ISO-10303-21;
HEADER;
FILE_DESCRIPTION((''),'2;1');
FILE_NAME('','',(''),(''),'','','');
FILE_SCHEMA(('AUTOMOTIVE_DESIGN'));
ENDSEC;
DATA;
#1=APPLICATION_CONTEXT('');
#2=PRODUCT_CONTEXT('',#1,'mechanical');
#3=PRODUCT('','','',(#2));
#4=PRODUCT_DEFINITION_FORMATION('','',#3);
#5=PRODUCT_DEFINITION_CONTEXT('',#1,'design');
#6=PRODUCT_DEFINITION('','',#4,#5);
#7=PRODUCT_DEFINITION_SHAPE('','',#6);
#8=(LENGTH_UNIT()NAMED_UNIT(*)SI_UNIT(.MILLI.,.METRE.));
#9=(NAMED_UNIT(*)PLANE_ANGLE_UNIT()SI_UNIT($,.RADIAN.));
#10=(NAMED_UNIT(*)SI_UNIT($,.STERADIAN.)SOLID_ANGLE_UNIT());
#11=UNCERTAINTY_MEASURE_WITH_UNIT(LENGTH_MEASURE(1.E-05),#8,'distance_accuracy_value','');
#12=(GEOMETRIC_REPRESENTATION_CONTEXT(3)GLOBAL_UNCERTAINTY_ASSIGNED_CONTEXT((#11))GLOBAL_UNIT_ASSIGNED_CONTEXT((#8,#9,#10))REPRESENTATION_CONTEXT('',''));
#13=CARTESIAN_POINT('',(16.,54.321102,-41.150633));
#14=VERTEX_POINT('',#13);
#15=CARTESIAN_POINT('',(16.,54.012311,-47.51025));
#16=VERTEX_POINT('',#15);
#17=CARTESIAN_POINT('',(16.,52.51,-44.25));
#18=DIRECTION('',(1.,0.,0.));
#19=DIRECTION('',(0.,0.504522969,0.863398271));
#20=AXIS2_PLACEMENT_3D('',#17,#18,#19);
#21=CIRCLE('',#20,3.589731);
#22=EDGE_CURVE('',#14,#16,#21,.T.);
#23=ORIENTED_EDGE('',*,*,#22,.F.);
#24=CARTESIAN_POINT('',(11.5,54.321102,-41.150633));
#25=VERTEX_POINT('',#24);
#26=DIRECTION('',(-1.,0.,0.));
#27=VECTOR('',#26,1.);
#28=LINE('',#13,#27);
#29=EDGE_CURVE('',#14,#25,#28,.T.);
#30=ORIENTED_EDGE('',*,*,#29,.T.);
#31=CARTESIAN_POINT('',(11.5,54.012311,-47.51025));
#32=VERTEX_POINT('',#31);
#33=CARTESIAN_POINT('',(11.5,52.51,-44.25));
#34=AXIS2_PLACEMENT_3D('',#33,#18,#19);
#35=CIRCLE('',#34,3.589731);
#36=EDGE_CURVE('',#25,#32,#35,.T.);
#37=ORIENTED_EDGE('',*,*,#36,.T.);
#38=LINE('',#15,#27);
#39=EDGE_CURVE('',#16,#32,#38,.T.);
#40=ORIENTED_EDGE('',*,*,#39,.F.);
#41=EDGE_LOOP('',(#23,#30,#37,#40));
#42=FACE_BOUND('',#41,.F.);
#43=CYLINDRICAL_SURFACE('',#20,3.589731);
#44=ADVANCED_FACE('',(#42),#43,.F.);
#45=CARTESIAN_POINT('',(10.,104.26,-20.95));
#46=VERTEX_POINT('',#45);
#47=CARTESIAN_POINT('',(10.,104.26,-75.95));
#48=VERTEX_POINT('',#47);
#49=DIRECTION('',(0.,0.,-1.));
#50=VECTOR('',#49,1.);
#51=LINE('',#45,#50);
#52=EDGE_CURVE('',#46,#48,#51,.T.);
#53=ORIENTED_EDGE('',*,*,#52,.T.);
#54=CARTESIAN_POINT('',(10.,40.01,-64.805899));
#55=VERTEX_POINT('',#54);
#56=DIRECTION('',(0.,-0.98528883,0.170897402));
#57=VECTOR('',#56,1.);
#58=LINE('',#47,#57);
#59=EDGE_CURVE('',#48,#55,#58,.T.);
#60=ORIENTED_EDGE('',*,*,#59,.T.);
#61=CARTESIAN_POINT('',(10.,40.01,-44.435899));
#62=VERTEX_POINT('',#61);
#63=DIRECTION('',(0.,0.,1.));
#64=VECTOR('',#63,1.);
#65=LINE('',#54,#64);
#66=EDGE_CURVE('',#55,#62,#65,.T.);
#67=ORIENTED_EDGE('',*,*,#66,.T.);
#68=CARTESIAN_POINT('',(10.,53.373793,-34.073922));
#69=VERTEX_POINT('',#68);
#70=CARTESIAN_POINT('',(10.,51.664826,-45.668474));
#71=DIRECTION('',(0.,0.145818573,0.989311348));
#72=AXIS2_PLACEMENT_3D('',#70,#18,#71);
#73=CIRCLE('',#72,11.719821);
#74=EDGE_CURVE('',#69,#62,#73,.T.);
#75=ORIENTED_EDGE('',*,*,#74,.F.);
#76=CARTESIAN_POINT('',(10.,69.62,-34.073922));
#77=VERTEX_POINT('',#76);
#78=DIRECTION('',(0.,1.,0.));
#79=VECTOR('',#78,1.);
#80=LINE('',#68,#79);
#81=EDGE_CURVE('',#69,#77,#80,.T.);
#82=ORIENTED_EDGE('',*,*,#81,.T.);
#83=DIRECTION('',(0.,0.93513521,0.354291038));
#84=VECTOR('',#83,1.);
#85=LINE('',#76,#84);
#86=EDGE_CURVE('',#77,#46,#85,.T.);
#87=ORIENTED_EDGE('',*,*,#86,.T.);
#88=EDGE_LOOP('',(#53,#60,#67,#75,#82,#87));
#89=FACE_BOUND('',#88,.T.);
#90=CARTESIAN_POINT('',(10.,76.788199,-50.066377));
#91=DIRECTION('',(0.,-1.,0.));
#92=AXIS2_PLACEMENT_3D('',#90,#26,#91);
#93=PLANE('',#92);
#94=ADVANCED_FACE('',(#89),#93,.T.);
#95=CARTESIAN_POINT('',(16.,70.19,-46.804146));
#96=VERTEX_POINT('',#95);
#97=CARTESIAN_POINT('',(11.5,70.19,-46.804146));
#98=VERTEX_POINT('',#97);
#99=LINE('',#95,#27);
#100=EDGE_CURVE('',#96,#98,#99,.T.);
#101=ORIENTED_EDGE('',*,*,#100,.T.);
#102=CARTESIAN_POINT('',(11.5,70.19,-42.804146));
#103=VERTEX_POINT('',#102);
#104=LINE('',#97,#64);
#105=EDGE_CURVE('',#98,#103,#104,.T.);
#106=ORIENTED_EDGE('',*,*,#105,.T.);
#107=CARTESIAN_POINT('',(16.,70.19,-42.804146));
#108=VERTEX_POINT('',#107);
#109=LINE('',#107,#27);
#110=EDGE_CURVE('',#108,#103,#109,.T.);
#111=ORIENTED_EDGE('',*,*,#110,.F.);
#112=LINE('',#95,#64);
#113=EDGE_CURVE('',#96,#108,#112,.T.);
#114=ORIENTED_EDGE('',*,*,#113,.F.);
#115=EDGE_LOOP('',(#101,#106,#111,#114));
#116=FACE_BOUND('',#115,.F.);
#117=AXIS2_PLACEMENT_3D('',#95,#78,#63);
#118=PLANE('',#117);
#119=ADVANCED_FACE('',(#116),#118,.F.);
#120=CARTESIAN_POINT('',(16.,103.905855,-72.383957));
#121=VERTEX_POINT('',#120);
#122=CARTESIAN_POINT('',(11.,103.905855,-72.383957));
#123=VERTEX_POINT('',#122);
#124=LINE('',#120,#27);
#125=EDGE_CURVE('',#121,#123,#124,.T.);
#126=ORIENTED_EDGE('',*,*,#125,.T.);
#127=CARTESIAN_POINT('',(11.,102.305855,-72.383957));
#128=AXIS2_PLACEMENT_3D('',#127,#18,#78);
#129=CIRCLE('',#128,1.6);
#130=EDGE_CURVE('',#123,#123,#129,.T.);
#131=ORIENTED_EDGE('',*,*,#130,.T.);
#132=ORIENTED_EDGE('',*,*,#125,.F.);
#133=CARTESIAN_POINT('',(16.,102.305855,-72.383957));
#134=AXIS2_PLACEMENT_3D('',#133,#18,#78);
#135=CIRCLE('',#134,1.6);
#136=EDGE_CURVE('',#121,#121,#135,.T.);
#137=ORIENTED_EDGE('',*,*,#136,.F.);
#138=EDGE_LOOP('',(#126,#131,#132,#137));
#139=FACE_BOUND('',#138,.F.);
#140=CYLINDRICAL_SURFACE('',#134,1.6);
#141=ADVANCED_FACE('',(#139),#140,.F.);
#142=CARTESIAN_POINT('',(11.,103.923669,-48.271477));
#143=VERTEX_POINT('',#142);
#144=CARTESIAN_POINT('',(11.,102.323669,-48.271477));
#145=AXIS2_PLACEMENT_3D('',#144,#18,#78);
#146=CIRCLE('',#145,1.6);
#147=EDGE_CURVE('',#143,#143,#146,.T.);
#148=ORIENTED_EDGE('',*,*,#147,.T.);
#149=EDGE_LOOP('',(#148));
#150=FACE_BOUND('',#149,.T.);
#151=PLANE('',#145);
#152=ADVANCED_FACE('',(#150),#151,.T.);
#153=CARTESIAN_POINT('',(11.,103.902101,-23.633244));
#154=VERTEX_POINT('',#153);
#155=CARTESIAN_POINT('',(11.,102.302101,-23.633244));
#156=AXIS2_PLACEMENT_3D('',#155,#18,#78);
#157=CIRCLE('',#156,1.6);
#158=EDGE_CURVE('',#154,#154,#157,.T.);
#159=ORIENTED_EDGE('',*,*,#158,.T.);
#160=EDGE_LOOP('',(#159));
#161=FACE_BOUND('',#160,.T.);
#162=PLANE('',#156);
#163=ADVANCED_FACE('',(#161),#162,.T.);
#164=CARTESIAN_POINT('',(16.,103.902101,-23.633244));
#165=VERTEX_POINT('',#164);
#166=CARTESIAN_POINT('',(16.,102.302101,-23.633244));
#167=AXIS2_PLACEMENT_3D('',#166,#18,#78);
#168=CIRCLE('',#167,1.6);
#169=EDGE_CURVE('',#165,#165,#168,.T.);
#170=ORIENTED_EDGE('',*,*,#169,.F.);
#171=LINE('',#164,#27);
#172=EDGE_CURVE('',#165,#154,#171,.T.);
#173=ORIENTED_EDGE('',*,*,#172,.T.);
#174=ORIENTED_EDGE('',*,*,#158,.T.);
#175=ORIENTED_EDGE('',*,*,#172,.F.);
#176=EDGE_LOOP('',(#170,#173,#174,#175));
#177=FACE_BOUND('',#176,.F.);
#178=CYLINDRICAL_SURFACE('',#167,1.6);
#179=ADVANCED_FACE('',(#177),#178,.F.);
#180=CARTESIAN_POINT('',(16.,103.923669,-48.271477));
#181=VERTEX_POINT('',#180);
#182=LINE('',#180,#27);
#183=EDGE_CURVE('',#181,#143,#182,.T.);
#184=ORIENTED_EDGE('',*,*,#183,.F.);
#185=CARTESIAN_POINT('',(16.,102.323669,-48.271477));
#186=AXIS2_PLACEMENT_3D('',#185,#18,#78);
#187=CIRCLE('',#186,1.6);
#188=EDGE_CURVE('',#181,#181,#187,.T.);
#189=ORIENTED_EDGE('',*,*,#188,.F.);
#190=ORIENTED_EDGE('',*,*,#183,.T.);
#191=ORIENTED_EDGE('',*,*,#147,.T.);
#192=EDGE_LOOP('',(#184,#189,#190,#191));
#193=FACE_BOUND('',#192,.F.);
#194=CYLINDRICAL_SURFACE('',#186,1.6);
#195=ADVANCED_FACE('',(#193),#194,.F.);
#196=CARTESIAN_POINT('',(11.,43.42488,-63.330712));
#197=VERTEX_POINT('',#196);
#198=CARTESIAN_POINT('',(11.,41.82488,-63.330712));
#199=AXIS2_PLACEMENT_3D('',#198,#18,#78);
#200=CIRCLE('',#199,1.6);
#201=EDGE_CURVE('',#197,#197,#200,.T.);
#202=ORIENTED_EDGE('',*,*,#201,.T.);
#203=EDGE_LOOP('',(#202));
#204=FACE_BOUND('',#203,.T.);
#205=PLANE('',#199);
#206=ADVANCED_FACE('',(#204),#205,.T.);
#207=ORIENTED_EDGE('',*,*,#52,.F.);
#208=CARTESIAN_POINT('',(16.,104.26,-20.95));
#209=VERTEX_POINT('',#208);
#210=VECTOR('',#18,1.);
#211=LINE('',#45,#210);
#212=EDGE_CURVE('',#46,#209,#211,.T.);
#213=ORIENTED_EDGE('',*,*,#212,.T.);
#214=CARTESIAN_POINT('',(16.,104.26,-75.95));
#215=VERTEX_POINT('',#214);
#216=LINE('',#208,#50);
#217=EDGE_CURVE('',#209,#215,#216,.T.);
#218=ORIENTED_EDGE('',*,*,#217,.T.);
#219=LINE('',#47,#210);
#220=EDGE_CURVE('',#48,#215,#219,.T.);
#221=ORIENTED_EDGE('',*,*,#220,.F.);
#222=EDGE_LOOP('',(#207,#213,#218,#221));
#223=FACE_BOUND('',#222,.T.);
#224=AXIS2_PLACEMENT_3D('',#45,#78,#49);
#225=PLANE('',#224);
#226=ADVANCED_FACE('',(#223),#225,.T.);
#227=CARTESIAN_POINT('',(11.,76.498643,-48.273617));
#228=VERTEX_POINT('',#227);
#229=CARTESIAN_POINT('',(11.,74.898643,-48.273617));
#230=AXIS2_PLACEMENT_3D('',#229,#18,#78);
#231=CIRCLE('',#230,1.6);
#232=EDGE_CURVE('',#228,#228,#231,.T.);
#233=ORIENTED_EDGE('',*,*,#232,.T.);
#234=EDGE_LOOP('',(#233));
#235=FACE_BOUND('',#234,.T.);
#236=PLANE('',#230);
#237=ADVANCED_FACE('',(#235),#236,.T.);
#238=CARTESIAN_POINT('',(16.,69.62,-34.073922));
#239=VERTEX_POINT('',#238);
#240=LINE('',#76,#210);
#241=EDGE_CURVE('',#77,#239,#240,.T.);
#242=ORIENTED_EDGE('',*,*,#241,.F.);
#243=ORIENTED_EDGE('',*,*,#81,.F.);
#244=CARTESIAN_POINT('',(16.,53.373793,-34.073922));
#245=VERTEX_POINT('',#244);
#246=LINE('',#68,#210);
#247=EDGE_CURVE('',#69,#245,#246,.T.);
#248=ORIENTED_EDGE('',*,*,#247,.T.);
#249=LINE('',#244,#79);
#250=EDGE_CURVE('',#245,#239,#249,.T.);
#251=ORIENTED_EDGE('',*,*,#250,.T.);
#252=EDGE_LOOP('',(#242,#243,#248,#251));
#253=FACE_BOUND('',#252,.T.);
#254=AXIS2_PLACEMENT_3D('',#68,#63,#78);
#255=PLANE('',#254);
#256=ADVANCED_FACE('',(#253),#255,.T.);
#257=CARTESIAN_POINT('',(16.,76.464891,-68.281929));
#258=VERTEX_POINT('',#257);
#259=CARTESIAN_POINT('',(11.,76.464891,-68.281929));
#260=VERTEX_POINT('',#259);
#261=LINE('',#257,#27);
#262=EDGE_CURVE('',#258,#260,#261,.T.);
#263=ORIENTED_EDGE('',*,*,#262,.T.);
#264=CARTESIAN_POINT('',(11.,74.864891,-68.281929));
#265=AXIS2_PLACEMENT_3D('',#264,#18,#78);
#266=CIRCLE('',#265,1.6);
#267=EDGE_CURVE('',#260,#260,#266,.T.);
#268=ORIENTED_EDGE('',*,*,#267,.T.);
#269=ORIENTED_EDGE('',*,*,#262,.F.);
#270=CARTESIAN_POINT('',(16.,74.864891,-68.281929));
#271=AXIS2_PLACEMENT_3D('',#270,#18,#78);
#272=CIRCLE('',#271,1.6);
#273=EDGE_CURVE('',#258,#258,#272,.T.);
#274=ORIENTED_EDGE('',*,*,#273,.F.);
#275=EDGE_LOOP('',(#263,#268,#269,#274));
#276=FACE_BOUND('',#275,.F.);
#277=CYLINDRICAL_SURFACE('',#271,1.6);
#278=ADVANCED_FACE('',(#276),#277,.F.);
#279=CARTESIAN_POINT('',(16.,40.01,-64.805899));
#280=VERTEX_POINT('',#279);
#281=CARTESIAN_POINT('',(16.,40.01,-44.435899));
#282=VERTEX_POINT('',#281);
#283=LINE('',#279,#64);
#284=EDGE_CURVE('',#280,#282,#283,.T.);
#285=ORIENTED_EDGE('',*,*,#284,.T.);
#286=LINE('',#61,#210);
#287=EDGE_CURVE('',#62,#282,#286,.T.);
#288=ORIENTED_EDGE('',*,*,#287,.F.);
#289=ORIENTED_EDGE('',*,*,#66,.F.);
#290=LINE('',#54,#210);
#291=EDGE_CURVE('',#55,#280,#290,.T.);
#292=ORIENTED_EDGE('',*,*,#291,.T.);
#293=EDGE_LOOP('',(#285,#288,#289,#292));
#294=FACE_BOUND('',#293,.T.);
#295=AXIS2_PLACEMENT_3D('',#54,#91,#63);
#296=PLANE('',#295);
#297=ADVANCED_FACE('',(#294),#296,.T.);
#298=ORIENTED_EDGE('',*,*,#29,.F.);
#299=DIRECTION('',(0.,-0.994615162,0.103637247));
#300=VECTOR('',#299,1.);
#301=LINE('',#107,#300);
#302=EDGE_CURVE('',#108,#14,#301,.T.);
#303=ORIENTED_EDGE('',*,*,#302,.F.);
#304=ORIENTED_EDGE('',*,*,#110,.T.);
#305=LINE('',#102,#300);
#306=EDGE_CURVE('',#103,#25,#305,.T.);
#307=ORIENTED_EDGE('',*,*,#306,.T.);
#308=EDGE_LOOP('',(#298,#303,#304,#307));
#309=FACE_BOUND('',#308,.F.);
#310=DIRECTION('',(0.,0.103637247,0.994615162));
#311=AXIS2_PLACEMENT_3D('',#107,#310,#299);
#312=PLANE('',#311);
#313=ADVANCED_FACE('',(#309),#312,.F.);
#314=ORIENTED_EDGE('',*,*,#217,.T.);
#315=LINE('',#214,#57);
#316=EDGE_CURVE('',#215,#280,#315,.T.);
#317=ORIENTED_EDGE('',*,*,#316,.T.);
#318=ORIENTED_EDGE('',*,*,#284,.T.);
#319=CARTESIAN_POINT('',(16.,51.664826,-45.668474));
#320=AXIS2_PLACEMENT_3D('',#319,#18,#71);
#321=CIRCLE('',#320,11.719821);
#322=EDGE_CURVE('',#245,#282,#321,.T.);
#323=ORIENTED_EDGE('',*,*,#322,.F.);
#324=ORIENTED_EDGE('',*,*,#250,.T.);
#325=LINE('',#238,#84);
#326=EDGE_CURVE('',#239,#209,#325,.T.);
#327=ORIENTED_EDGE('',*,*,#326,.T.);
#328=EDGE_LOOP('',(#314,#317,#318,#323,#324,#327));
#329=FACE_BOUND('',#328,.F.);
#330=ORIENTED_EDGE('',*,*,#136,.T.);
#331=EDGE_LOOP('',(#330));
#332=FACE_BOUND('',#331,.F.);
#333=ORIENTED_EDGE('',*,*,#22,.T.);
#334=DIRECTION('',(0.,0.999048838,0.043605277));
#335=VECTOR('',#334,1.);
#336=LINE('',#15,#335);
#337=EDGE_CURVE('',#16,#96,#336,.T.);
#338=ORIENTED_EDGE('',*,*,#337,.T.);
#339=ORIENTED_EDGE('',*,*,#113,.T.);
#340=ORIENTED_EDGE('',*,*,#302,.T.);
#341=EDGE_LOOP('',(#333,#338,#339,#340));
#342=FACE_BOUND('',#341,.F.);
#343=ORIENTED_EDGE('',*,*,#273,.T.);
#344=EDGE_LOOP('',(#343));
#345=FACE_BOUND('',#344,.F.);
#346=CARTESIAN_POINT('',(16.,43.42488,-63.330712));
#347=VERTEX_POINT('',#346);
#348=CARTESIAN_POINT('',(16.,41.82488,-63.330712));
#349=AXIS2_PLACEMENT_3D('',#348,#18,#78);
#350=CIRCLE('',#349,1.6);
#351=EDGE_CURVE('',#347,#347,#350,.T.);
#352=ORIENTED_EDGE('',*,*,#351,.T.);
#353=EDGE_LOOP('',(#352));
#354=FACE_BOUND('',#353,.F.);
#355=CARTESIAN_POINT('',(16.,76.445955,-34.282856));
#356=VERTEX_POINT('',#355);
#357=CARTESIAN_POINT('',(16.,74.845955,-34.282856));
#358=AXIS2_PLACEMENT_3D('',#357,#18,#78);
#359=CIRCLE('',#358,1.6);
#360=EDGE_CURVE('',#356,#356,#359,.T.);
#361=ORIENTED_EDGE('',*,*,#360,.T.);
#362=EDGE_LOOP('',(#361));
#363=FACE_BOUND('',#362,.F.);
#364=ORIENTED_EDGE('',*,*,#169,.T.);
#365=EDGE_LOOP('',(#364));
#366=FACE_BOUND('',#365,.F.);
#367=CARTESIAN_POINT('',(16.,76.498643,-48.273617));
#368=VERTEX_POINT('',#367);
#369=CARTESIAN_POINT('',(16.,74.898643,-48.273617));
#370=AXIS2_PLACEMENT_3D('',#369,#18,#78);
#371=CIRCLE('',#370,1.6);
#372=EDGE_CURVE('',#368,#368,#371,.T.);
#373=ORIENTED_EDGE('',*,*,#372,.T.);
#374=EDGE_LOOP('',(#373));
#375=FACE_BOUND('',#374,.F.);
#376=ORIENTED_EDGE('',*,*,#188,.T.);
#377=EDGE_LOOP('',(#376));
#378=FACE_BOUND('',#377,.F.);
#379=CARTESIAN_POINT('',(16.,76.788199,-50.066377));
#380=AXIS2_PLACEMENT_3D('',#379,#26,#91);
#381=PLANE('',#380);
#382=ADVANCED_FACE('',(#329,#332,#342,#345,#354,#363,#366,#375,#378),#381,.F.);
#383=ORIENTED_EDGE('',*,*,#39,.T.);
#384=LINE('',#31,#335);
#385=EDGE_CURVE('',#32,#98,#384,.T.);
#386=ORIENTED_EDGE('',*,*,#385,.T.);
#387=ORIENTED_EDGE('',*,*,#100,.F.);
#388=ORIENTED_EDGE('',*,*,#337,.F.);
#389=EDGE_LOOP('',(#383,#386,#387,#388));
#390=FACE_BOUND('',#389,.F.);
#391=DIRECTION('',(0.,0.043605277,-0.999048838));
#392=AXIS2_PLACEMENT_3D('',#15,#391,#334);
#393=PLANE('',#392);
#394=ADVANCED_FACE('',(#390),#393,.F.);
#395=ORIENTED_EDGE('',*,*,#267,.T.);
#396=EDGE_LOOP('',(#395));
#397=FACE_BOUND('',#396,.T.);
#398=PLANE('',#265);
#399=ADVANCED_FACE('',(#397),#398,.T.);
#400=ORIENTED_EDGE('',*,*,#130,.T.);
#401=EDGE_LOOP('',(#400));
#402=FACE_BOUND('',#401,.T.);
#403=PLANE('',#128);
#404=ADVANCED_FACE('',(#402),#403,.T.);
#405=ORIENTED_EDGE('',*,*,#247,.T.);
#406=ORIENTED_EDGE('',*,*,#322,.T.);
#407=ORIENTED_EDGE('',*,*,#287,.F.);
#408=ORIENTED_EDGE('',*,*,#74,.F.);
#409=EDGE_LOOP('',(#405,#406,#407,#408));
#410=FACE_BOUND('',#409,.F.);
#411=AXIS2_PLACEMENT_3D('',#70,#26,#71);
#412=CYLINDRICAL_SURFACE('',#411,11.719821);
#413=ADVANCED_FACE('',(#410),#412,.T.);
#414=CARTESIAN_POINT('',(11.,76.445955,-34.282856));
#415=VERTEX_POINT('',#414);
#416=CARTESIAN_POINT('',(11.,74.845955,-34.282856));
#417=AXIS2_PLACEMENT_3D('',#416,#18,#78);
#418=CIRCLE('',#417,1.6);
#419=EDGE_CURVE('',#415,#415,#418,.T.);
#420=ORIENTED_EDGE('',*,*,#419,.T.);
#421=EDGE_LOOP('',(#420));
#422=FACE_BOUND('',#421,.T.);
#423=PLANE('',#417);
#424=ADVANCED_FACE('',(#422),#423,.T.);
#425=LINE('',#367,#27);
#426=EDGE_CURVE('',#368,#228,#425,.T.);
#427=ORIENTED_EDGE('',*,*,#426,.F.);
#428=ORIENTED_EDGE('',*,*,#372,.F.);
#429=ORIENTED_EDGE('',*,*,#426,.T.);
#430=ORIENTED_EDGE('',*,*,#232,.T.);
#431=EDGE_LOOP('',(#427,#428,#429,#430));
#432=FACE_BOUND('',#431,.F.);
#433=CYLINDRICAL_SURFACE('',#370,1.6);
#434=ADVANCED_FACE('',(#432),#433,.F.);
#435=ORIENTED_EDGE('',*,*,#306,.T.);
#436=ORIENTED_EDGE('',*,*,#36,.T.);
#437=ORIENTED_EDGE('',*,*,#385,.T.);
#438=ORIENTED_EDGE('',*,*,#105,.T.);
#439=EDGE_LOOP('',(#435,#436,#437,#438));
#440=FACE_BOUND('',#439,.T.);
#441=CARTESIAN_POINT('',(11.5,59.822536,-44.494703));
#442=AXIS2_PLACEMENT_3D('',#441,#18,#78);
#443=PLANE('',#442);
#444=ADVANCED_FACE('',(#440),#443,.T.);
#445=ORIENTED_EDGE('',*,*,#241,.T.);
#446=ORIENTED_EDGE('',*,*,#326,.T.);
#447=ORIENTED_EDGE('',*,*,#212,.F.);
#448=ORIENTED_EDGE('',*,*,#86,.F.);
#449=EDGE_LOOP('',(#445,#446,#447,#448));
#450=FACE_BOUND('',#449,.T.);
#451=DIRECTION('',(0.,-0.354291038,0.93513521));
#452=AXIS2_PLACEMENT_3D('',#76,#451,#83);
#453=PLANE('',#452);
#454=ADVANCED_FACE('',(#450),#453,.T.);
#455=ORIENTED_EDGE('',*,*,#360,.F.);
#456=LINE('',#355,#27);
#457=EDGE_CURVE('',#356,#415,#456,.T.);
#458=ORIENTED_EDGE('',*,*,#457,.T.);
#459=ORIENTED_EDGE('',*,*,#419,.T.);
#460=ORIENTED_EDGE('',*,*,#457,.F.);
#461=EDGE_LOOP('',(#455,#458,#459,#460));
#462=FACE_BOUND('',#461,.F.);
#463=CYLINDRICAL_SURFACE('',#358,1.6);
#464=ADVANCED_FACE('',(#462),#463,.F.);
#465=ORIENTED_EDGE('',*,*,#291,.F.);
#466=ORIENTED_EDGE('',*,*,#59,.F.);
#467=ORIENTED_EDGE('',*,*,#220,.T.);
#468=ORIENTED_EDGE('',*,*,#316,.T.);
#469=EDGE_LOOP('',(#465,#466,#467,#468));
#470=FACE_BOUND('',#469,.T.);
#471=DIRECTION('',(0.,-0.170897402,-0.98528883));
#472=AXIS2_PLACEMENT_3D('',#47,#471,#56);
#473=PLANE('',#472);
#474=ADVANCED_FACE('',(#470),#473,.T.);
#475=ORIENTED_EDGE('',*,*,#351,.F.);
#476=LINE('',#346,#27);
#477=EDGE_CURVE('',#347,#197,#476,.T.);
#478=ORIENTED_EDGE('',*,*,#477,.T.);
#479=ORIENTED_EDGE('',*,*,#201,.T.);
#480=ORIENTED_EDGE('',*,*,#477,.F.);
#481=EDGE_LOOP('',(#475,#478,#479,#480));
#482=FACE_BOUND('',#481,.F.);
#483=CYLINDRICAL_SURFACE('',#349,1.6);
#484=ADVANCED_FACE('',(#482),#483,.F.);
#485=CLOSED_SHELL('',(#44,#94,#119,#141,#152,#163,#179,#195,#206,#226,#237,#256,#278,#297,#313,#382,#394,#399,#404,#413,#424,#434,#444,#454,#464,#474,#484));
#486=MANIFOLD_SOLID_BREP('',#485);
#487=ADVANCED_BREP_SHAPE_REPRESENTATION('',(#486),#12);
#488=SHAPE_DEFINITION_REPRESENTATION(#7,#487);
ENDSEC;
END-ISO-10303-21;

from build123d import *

# Parameters (mm, degrees)
PAD011_DEPTH         = 6
POCKET011_DEPTH      = 4.5
POCKET011_DEPTH_BACK = 100
SKETCH030_R          = 1.6
POCKET013_DEPTH      = 5


with BuildPart() as part:
    # CopySketch028 → Pad011 (new body)
    with BuildSketch(Plane.YZ):
        with BuildLine():
            Line((69.62, -34.0739220052), (104.26, -20.95))
            Line((104.26, -20.95), (104.26, -75.95))
            Line((104.26, -75.95), (40.01, -64.8058991482))
            Line((40.01, -64.8058991482), (40.01, -44.4358991482))
            ThreePointArc((53.3737933734, -34.0739220052), (44.4834146169, -36.4066415985), (40.01, -44.4358991482))
            Line((53.3737933734, -34.0739220052), (69.62, -34.0739220052))
        make_face()
    extrude(amount=PAD011_DEPTH)

    # Sketch028 → Pocket011 (cut, two sides)
    with BuildSketch(Plane.YZ.offset(6)) as pocket011_sk:
        with BuildLine():
            ThreePointArc((54.3211015793, -41.1506327381), (48.924493396, -44.0759059246), (54.0123107229, -47.5102498135))
            Line((54.0123107229, -47.5102498135), (70.19, -46.8041455781))
            Line((70.19, -46.8041455781), (70.19, -42.8041455781))
            Line((70.19, -42.8041455781), (54.3211015793, -41.1506327381))
        make_face()
    extrude(amount=-POCKET011_DEPTH, mode=Mode.SUBTRACT)
    extrude(pocket011_sk.sketch, amount=POCKET011_DEPTH_BACK, mode=Mode.SUBTRACT)

    # Sketch030 (on Face5 of Pocket011) → Pocket013 (cut)
    with BuildSketch(Plane.YZ.offset(6)):
        with Locations((74.898643, -48.273617)):
            Circle(SKETCH030_R)
        with Locations((74.845955, -34.282856)):
            Circle(SKETCH030_R)
        with Locations((102.302101, -23.633244)):
            Circle(SKETCH030_R)
        with Locations((102.323669, -48.271477)):
            Circle(SKETCH030_R)
        with Locations((102.305855, -72.383957)):
            Circle(SKETCH030_R)
        with Locations((74.864891, -68.281929)):
            Circle(SKETCH030_R)
        with Locations((41.8248800985, -63.330712397)):
            Circle(SKETCH030_R)
    extrude(amount=-POCKET013_DEPTH, mode=Mode.SUBTRACT)


with BuildPart() as part_1:
    # Body004 placement: moved
    add(part.part.moved(Location((10, 0, 0))))


solid = part_1.part
